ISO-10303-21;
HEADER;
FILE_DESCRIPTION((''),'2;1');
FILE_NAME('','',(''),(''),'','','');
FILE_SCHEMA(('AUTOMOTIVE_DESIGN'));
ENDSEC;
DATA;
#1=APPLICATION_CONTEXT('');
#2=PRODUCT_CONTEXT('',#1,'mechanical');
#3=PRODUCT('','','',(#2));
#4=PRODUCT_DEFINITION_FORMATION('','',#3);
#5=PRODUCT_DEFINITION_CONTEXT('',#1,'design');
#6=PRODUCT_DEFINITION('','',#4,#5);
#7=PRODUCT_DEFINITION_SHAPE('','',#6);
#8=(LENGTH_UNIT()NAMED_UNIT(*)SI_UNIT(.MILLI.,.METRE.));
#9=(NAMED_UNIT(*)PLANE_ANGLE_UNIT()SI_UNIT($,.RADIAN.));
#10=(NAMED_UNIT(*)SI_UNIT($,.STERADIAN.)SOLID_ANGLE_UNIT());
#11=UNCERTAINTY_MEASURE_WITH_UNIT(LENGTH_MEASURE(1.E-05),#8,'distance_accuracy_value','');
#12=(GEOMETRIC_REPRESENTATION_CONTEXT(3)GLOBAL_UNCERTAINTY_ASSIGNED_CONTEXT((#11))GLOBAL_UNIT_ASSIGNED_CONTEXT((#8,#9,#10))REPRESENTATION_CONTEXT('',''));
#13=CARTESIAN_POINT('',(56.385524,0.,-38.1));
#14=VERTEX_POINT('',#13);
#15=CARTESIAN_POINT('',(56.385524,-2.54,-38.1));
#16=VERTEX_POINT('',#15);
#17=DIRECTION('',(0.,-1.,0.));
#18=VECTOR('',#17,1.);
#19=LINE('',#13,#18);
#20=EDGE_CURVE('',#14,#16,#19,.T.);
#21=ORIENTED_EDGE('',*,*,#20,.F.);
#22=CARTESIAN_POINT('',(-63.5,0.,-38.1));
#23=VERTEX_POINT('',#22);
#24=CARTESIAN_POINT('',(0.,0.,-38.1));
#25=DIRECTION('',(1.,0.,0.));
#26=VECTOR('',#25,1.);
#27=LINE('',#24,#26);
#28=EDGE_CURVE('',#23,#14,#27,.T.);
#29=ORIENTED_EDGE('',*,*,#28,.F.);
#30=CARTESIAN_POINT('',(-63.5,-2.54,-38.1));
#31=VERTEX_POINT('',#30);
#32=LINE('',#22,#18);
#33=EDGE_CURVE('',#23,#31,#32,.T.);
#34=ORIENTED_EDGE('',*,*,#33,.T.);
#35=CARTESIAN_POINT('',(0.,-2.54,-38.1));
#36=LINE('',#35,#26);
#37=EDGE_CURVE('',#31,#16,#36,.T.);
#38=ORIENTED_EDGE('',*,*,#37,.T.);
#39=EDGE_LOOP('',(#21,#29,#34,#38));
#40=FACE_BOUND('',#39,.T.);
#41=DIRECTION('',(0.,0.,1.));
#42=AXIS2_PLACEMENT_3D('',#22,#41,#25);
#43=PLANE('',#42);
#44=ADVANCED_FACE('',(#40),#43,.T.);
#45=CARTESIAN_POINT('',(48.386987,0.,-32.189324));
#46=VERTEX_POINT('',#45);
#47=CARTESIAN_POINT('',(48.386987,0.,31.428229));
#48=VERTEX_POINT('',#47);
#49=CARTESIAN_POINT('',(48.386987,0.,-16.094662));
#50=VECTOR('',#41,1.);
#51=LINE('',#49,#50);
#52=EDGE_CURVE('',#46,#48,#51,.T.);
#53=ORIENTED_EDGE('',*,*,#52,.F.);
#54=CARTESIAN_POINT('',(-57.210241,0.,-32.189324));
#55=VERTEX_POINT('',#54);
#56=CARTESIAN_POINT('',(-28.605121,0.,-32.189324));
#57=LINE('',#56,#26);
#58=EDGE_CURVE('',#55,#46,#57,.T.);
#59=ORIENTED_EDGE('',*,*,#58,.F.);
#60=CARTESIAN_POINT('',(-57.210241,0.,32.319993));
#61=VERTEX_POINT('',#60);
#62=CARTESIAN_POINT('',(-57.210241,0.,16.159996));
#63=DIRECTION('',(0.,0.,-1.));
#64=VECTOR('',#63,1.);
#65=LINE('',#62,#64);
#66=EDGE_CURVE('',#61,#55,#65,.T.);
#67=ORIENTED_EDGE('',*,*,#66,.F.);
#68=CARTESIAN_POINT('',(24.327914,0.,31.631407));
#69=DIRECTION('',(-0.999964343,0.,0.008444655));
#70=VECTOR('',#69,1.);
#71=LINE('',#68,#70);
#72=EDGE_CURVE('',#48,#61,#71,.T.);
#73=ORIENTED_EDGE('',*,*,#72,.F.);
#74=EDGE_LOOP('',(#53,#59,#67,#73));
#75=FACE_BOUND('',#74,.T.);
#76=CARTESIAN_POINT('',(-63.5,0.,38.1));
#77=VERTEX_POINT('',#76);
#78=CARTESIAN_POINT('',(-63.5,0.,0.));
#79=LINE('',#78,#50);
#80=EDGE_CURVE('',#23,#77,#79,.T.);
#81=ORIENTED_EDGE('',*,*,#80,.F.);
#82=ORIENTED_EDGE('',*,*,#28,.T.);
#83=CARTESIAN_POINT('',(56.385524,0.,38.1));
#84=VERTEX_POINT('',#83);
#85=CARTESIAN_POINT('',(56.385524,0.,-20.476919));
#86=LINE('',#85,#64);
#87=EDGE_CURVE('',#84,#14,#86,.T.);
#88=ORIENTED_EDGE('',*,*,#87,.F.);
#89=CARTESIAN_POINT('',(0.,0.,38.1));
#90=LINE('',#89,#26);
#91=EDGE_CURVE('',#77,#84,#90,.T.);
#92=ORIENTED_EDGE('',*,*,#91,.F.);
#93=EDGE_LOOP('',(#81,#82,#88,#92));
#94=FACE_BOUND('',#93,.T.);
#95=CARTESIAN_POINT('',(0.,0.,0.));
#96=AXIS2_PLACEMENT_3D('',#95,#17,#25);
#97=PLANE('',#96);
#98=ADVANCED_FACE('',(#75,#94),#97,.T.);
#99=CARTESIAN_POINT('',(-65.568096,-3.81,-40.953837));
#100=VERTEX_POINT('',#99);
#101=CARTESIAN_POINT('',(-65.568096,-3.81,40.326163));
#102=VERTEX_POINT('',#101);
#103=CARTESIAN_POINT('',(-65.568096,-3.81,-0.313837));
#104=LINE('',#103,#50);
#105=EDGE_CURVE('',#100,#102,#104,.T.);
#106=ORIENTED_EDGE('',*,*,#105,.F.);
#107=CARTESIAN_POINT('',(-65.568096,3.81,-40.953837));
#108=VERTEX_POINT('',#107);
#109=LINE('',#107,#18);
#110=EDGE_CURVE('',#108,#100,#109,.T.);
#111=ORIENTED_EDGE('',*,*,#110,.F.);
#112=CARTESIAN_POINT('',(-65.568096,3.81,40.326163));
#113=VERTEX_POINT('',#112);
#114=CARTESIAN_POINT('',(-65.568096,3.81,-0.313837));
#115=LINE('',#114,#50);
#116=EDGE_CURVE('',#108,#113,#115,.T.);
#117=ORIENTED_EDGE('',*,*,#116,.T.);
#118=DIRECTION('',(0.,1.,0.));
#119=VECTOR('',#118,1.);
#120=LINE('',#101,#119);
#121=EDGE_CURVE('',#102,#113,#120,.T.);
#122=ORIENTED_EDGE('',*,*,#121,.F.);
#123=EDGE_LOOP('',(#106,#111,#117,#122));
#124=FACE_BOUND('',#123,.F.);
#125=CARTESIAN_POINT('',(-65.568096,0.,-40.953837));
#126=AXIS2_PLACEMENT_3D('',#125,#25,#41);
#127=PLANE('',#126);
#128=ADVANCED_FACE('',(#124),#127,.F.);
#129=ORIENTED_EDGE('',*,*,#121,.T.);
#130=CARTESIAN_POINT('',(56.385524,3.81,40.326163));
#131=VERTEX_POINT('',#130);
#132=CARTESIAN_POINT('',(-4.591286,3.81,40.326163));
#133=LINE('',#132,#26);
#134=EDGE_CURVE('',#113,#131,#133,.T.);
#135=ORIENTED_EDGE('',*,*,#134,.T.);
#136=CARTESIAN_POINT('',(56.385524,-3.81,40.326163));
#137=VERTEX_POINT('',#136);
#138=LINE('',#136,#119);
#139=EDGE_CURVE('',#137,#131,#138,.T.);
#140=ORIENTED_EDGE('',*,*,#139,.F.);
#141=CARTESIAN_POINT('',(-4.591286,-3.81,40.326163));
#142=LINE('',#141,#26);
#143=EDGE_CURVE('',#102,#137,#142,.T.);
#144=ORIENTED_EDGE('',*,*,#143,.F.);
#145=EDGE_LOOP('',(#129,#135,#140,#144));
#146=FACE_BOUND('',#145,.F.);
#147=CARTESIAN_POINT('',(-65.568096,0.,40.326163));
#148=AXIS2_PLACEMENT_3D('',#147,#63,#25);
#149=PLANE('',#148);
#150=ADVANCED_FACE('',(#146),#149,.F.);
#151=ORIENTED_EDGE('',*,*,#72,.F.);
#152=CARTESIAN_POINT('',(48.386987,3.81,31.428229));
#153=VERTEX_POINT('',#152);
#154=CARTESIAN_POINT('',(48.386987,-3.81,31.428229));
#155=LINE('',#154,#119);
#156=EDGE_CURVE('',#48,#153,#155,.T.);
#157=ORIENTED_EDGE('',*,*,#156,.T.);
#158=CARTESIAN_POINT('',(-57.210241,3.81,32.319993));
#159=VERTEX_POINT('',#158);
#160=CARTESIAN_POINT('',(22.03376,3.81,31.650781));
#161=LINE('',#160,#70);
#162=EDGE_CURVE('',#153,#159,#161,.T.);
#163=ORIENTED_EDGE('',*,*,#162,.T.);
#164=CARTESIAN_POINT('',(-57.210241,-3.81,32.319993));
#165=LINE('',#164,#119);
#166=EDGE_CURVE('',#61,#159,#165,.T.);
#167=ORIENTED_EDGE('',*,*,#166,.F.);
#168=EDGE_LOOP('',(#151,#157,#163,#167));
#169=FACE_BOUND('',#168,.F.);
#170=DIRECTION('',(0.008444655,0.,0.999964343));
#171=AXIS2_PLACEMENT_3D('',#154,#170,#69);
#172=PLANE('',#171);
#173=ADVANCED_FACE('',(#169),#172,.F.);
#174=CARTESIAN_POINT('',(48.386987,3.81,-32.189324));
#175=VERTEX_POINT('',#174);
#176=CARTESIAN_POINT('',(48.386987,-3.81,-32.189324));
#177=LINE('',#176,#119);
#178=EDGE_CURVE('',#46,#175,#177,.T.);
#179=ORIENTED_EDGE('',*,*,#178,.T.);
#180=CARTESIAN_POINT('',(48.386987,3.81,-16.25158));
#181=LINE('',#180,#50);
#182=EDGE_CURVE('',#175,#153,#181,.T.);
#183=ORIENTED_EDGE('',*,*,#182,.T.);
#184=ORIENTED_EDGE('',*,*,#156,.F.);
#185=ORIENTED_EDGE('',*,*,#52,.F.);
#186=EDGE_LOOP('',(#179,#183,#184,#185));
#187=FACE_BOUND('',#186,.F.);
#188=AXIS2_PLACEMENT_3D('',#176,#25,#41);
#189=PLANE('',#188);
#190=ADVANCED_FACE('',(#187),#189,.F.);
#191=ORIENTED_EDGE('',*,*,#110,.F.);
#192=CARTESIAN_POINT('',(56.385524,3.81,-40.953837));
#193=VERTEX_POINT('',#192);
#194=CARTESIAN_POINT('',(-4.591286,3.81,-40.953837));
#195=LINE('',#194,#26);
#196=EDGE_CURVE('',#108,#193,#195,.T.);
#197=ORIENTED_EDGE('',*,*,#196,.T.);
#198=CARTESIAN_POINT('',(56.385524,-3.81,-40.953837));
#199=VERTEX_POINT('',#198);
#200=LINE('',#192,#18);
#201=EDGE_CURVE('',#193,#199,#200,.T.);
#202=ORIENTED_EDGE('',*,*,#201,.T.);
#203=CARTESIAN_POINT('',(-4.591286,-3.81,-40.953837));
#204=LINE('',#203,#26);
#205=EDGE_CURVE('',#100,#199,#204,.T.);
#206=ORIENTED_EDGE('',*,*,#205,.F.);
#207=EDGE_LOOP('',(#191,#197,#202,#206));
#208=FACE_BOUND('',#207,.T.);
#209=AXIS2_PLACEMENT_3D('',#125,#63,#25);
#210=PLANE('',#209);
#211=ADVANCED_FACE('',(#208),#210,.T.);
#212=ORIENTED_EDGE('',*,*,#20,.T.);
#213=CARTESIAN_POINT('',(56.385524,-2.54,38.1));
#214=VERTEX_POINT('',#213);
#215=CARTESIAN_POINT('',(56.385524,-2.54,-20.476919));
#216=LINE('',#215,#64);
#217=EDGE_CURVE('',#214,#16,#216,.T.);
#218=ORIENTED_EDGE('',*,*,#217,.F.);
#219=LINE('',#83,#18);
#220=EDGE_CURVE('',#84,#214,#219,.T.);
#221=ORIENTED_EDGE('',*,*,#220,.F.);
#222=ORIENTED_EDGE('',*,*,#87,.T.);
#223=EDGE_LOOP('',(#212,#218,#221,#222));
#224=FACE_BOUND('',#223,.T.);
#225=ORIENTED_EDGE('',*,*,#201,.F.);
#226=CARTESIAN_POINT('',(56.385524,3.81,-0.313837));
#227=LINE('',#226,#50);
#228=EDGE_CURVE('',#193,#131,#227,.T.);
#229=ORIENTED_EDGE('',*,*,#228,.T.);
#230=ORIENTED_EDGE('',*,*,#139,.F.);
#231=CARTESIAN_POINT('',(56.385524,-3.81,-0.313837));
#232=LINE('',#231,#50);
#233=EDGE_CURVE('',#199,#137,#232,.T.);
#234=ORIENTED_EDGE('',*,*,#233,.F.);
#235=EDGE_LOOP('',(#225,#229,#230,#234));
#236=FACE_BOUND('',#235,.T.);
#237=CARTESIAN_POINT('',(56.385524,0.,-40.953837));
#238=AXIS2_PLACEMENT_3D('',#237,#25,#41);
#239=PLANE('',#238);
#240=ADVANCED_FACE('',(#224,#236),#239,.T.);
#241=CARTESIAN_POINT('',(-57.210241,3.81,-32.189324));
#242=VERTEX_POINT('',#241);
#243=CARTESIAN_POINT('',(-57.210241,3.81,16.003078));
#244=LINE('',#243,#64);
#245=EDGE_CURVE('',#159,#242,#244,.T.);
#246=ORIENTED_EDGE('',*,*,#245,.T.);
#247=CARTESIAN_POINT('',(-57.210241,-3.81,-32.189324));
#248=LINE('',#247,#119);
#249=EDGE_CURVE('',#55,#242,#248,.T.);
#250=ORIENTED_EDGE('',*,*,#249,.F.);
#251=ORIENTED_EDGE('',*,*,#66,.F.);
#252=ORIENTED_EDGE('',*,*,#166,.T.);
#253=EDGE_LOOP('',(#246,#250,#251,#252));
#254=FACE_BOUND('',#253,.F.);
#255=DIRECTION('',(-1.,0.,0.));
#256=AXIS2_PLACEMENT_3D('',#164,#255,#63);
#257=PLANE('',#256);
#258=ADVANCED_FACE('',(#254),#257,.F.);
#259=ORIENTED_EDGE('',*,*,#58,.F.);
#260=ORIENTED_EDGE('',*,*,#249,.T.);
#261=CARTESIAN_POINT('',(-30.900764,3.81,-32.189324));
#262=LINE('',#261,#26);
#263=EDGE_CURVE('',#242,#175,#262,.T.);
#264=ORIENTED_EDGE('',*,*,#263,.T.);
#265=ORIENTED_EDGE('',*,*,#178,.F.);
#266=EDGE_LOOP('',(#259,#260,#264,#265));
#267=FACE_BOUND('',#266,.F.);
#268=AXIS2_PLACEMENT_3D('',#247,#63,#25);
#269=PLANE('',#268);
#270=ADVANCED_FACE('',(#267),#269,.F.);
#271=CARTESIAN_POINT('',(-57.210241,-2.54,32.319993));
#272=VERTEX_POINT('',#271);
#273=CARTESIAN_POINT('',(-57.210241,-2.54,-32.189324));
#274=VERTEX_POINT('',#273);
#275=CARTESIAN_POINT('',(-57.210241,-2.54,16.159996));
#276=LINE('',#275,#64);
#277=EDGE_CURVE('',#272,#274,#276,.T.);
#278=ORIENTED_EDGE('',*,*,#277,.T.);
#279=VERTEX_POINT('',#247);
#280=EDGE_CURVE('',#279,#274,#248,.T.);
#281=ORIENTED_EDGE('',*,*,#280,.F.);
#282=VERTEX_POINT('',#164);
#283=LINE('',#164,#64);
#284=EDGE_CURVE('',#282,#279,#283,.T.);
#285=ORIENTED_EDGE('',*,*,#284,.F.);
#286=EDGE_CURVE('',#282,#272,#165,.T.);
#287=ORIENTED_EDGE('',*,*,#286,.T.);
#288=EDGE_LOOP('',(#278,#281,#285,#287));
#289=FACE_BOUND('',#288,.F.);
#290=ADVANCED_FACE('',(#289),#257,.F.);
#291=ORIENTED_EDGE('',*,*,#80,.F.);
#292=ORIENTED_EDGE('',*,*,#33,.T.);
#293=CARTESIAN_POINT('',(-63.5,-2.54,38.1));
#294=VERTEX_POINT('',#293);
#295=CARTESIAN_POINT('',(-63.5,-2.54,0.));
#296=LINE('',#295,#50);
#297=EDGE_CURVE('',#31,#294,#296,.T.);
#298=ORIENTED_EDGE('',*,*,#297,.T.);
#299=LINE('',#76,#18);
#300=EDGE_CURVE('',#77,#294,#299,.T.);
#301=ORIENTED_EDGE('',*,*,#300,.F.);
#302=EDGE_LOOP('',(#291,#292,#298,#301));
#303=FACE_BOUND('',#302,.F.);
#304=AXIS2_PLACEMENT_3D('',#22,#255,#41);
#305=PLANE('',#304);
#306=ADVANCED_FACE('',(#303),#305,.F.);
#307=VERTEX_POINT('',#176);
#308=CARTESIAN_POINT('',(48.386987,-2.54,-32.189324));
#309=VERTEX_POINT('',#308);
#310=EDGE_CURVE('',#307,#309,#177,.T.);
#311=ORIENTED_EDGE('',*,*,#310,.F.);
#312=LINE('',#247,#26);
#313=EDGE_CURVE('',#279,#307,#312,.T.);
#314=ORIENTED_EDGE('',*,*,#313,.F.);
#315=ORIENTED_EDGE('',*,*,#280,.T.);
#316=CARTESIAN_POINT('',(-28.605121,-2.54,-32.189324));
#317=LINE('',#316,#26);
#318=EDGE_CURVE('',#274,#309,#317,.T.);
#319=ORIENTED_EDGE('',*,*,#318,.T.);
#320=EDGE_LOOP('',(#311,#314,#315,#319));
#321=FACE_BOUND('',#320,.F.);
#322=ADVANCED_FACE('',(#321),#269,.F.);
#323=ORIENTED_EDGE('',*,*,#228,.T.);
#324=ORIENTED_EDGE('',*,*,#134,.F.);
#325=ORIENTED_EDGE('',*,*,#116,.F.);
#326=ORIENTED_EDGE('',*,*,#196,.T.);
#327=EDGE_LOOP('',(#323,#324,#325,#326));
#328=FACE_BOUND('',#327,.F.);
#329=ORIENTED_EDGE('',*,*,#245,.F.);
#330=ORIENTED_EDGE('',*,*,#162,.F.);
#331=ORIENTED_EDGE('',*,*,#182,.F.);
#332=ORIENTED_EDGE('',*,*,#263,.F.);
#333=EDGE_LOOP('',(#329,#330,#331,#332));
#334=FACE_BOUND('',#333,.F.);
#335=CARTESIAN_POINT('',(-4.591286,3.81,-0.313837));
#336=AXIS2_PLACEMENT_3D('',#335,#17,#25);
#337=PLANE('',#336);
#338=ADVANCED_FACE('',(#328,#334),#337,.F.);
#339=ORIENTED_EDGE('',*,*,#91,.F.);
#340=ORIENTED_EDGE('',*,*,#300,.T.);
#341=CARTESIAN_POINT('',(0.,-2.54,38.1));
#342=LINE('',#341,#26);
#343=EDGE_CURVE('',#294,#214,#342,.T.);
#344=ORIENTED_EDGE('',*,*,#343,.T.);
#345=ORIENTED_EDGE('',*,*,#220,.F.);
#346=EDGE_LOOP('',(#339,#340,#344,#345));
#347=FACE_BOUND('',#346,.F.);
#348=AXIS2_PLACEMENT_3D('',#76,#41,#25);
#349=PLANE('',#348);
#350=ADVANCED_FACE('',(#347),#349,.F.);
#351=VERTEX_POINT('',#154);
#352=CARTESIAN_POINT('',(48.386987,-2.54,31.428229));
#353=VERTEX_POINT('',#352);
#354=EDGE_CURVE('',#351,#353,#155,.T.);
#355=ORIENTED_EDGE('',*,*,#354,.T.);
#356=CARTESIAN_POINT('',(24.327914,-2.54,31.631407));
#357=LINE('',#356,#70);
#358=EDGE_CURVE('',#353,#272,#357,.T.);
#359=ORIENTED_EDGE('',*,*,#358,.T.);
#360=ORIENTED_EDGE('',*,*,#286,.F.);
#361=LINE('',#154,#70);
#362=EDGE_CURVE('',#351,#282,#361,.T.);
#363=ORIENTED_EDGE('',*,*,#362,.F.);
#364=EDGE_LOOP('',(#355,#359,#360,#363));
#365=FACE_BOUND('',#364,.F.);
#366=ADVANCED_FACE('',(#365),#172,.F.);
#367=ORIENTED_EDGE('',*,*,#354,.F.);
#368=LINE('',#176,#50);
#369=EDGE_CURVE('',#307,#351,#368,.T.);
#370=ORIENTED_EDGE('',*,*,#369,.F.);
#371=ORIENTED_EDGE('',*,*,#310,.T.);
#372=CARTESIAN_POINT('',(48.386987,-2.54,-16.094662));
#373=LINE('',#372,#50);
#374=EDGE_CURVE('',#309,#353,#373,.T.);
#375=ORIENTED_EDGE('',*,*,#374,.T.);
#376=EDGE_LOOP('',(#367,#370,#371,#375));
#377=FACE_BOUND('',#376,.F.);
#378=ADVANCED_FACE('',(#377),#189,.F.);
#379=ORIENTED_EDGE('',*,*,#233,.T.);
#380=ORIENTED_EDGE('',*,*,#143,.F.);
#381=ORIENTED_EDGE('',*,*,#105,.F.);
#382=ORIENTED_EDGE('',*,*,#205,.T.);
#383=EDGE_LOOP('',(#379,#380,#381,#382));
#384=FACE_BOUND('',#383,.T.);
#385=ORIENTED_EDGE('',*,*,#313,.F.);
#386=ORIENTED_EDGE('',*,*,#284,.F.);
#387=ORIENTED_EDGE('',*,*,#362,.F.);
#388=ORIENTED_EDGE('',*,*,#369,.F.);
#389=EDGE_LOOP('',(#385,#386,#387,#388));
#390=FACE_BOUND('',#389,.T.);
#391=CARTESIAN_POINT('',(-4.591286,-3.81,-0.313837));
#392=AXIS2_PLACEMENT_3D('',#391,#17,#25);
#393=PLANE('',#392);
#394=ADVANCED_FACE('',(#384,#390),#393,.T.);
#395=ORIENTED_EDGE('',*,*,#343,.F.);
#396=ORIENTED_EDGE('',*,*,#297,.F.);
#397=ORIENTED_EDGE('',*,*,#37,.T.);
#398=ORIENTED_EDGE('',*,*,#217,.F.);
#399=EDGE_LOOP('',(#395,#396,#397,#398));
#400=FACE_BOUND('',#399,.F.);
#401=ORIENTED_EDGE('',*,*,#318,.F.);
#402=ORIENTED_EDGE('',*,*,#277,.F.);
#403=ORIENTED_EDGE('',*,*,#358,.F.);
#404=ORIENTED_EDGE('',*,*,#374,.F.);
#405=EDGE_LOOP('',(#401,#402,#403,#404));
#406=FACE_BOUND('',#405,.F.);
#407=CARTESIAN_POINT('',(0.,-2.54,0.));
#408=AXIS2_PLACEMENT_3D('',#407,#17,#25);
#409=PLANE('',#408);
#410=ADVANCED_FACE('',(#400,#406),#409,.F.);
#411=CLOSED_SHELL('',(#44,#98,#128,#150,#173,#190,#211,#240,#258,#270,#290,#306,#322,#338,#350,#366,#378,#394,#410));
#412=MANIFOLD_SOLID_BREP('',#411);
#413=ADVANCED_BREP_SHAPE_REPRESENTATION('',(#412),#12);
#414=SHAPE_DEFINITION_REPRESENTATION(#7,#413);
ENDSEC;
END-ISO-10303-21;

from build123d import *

# Parameters (mm, degrees)
F0_W     = 127
F0_H     = 76.2
F1_DEPTH = 2.54
F2_W     = 121.95362
F2_H     = 81.28
F3_DEPTH = 3.81
F5_DEPTH = 25.4


with BuildPart() as f1:
    # F0 (on Front) → F1 (new body)
    with BuildSketch(Plane.XZ):
        Rectangle(F0_W, F0_H)
    extrude(amount=F1_DEPTH)


with BuildPart() as f3:
    # F2 (on Front) → F3 (new body, symmetric)
    with BuildSketch(Plane.XZ):
        with Locations((-4.591286, -0.313837)):
            Rectangle(F2_W, F2_H)
    extrude(amount=F3_DEPTH, both=True)


with BuildPart() as f5_tool:
    # F4 (on face) → F5 (new body)
    with BuildSketch(Plane.XZ.offset(3.81)):
        Polygon((48.386987, 31.428229), (-57.210241, 32.319993), (-57.210241, -32.189324), (48.386987, -32.189324), align=None)
    extrude(amount=-F5_DEPTH)


with BuildPart() as f1_1:
    add(f1.part)

    # F5: cut by f5_tool
    add(f5_tool.part, mode=Mode.SUBTRACT)


with BuildPart() as f3_1:
    add(f3.part)

    # F5: cut by f5_tool
    add(f5_tool.part, mode=Mode.SUBTRACT)

    # F6: cut F1
    add(f1_1.part, mode=Mode.SUBTRACT)


solid = f3_1.part
